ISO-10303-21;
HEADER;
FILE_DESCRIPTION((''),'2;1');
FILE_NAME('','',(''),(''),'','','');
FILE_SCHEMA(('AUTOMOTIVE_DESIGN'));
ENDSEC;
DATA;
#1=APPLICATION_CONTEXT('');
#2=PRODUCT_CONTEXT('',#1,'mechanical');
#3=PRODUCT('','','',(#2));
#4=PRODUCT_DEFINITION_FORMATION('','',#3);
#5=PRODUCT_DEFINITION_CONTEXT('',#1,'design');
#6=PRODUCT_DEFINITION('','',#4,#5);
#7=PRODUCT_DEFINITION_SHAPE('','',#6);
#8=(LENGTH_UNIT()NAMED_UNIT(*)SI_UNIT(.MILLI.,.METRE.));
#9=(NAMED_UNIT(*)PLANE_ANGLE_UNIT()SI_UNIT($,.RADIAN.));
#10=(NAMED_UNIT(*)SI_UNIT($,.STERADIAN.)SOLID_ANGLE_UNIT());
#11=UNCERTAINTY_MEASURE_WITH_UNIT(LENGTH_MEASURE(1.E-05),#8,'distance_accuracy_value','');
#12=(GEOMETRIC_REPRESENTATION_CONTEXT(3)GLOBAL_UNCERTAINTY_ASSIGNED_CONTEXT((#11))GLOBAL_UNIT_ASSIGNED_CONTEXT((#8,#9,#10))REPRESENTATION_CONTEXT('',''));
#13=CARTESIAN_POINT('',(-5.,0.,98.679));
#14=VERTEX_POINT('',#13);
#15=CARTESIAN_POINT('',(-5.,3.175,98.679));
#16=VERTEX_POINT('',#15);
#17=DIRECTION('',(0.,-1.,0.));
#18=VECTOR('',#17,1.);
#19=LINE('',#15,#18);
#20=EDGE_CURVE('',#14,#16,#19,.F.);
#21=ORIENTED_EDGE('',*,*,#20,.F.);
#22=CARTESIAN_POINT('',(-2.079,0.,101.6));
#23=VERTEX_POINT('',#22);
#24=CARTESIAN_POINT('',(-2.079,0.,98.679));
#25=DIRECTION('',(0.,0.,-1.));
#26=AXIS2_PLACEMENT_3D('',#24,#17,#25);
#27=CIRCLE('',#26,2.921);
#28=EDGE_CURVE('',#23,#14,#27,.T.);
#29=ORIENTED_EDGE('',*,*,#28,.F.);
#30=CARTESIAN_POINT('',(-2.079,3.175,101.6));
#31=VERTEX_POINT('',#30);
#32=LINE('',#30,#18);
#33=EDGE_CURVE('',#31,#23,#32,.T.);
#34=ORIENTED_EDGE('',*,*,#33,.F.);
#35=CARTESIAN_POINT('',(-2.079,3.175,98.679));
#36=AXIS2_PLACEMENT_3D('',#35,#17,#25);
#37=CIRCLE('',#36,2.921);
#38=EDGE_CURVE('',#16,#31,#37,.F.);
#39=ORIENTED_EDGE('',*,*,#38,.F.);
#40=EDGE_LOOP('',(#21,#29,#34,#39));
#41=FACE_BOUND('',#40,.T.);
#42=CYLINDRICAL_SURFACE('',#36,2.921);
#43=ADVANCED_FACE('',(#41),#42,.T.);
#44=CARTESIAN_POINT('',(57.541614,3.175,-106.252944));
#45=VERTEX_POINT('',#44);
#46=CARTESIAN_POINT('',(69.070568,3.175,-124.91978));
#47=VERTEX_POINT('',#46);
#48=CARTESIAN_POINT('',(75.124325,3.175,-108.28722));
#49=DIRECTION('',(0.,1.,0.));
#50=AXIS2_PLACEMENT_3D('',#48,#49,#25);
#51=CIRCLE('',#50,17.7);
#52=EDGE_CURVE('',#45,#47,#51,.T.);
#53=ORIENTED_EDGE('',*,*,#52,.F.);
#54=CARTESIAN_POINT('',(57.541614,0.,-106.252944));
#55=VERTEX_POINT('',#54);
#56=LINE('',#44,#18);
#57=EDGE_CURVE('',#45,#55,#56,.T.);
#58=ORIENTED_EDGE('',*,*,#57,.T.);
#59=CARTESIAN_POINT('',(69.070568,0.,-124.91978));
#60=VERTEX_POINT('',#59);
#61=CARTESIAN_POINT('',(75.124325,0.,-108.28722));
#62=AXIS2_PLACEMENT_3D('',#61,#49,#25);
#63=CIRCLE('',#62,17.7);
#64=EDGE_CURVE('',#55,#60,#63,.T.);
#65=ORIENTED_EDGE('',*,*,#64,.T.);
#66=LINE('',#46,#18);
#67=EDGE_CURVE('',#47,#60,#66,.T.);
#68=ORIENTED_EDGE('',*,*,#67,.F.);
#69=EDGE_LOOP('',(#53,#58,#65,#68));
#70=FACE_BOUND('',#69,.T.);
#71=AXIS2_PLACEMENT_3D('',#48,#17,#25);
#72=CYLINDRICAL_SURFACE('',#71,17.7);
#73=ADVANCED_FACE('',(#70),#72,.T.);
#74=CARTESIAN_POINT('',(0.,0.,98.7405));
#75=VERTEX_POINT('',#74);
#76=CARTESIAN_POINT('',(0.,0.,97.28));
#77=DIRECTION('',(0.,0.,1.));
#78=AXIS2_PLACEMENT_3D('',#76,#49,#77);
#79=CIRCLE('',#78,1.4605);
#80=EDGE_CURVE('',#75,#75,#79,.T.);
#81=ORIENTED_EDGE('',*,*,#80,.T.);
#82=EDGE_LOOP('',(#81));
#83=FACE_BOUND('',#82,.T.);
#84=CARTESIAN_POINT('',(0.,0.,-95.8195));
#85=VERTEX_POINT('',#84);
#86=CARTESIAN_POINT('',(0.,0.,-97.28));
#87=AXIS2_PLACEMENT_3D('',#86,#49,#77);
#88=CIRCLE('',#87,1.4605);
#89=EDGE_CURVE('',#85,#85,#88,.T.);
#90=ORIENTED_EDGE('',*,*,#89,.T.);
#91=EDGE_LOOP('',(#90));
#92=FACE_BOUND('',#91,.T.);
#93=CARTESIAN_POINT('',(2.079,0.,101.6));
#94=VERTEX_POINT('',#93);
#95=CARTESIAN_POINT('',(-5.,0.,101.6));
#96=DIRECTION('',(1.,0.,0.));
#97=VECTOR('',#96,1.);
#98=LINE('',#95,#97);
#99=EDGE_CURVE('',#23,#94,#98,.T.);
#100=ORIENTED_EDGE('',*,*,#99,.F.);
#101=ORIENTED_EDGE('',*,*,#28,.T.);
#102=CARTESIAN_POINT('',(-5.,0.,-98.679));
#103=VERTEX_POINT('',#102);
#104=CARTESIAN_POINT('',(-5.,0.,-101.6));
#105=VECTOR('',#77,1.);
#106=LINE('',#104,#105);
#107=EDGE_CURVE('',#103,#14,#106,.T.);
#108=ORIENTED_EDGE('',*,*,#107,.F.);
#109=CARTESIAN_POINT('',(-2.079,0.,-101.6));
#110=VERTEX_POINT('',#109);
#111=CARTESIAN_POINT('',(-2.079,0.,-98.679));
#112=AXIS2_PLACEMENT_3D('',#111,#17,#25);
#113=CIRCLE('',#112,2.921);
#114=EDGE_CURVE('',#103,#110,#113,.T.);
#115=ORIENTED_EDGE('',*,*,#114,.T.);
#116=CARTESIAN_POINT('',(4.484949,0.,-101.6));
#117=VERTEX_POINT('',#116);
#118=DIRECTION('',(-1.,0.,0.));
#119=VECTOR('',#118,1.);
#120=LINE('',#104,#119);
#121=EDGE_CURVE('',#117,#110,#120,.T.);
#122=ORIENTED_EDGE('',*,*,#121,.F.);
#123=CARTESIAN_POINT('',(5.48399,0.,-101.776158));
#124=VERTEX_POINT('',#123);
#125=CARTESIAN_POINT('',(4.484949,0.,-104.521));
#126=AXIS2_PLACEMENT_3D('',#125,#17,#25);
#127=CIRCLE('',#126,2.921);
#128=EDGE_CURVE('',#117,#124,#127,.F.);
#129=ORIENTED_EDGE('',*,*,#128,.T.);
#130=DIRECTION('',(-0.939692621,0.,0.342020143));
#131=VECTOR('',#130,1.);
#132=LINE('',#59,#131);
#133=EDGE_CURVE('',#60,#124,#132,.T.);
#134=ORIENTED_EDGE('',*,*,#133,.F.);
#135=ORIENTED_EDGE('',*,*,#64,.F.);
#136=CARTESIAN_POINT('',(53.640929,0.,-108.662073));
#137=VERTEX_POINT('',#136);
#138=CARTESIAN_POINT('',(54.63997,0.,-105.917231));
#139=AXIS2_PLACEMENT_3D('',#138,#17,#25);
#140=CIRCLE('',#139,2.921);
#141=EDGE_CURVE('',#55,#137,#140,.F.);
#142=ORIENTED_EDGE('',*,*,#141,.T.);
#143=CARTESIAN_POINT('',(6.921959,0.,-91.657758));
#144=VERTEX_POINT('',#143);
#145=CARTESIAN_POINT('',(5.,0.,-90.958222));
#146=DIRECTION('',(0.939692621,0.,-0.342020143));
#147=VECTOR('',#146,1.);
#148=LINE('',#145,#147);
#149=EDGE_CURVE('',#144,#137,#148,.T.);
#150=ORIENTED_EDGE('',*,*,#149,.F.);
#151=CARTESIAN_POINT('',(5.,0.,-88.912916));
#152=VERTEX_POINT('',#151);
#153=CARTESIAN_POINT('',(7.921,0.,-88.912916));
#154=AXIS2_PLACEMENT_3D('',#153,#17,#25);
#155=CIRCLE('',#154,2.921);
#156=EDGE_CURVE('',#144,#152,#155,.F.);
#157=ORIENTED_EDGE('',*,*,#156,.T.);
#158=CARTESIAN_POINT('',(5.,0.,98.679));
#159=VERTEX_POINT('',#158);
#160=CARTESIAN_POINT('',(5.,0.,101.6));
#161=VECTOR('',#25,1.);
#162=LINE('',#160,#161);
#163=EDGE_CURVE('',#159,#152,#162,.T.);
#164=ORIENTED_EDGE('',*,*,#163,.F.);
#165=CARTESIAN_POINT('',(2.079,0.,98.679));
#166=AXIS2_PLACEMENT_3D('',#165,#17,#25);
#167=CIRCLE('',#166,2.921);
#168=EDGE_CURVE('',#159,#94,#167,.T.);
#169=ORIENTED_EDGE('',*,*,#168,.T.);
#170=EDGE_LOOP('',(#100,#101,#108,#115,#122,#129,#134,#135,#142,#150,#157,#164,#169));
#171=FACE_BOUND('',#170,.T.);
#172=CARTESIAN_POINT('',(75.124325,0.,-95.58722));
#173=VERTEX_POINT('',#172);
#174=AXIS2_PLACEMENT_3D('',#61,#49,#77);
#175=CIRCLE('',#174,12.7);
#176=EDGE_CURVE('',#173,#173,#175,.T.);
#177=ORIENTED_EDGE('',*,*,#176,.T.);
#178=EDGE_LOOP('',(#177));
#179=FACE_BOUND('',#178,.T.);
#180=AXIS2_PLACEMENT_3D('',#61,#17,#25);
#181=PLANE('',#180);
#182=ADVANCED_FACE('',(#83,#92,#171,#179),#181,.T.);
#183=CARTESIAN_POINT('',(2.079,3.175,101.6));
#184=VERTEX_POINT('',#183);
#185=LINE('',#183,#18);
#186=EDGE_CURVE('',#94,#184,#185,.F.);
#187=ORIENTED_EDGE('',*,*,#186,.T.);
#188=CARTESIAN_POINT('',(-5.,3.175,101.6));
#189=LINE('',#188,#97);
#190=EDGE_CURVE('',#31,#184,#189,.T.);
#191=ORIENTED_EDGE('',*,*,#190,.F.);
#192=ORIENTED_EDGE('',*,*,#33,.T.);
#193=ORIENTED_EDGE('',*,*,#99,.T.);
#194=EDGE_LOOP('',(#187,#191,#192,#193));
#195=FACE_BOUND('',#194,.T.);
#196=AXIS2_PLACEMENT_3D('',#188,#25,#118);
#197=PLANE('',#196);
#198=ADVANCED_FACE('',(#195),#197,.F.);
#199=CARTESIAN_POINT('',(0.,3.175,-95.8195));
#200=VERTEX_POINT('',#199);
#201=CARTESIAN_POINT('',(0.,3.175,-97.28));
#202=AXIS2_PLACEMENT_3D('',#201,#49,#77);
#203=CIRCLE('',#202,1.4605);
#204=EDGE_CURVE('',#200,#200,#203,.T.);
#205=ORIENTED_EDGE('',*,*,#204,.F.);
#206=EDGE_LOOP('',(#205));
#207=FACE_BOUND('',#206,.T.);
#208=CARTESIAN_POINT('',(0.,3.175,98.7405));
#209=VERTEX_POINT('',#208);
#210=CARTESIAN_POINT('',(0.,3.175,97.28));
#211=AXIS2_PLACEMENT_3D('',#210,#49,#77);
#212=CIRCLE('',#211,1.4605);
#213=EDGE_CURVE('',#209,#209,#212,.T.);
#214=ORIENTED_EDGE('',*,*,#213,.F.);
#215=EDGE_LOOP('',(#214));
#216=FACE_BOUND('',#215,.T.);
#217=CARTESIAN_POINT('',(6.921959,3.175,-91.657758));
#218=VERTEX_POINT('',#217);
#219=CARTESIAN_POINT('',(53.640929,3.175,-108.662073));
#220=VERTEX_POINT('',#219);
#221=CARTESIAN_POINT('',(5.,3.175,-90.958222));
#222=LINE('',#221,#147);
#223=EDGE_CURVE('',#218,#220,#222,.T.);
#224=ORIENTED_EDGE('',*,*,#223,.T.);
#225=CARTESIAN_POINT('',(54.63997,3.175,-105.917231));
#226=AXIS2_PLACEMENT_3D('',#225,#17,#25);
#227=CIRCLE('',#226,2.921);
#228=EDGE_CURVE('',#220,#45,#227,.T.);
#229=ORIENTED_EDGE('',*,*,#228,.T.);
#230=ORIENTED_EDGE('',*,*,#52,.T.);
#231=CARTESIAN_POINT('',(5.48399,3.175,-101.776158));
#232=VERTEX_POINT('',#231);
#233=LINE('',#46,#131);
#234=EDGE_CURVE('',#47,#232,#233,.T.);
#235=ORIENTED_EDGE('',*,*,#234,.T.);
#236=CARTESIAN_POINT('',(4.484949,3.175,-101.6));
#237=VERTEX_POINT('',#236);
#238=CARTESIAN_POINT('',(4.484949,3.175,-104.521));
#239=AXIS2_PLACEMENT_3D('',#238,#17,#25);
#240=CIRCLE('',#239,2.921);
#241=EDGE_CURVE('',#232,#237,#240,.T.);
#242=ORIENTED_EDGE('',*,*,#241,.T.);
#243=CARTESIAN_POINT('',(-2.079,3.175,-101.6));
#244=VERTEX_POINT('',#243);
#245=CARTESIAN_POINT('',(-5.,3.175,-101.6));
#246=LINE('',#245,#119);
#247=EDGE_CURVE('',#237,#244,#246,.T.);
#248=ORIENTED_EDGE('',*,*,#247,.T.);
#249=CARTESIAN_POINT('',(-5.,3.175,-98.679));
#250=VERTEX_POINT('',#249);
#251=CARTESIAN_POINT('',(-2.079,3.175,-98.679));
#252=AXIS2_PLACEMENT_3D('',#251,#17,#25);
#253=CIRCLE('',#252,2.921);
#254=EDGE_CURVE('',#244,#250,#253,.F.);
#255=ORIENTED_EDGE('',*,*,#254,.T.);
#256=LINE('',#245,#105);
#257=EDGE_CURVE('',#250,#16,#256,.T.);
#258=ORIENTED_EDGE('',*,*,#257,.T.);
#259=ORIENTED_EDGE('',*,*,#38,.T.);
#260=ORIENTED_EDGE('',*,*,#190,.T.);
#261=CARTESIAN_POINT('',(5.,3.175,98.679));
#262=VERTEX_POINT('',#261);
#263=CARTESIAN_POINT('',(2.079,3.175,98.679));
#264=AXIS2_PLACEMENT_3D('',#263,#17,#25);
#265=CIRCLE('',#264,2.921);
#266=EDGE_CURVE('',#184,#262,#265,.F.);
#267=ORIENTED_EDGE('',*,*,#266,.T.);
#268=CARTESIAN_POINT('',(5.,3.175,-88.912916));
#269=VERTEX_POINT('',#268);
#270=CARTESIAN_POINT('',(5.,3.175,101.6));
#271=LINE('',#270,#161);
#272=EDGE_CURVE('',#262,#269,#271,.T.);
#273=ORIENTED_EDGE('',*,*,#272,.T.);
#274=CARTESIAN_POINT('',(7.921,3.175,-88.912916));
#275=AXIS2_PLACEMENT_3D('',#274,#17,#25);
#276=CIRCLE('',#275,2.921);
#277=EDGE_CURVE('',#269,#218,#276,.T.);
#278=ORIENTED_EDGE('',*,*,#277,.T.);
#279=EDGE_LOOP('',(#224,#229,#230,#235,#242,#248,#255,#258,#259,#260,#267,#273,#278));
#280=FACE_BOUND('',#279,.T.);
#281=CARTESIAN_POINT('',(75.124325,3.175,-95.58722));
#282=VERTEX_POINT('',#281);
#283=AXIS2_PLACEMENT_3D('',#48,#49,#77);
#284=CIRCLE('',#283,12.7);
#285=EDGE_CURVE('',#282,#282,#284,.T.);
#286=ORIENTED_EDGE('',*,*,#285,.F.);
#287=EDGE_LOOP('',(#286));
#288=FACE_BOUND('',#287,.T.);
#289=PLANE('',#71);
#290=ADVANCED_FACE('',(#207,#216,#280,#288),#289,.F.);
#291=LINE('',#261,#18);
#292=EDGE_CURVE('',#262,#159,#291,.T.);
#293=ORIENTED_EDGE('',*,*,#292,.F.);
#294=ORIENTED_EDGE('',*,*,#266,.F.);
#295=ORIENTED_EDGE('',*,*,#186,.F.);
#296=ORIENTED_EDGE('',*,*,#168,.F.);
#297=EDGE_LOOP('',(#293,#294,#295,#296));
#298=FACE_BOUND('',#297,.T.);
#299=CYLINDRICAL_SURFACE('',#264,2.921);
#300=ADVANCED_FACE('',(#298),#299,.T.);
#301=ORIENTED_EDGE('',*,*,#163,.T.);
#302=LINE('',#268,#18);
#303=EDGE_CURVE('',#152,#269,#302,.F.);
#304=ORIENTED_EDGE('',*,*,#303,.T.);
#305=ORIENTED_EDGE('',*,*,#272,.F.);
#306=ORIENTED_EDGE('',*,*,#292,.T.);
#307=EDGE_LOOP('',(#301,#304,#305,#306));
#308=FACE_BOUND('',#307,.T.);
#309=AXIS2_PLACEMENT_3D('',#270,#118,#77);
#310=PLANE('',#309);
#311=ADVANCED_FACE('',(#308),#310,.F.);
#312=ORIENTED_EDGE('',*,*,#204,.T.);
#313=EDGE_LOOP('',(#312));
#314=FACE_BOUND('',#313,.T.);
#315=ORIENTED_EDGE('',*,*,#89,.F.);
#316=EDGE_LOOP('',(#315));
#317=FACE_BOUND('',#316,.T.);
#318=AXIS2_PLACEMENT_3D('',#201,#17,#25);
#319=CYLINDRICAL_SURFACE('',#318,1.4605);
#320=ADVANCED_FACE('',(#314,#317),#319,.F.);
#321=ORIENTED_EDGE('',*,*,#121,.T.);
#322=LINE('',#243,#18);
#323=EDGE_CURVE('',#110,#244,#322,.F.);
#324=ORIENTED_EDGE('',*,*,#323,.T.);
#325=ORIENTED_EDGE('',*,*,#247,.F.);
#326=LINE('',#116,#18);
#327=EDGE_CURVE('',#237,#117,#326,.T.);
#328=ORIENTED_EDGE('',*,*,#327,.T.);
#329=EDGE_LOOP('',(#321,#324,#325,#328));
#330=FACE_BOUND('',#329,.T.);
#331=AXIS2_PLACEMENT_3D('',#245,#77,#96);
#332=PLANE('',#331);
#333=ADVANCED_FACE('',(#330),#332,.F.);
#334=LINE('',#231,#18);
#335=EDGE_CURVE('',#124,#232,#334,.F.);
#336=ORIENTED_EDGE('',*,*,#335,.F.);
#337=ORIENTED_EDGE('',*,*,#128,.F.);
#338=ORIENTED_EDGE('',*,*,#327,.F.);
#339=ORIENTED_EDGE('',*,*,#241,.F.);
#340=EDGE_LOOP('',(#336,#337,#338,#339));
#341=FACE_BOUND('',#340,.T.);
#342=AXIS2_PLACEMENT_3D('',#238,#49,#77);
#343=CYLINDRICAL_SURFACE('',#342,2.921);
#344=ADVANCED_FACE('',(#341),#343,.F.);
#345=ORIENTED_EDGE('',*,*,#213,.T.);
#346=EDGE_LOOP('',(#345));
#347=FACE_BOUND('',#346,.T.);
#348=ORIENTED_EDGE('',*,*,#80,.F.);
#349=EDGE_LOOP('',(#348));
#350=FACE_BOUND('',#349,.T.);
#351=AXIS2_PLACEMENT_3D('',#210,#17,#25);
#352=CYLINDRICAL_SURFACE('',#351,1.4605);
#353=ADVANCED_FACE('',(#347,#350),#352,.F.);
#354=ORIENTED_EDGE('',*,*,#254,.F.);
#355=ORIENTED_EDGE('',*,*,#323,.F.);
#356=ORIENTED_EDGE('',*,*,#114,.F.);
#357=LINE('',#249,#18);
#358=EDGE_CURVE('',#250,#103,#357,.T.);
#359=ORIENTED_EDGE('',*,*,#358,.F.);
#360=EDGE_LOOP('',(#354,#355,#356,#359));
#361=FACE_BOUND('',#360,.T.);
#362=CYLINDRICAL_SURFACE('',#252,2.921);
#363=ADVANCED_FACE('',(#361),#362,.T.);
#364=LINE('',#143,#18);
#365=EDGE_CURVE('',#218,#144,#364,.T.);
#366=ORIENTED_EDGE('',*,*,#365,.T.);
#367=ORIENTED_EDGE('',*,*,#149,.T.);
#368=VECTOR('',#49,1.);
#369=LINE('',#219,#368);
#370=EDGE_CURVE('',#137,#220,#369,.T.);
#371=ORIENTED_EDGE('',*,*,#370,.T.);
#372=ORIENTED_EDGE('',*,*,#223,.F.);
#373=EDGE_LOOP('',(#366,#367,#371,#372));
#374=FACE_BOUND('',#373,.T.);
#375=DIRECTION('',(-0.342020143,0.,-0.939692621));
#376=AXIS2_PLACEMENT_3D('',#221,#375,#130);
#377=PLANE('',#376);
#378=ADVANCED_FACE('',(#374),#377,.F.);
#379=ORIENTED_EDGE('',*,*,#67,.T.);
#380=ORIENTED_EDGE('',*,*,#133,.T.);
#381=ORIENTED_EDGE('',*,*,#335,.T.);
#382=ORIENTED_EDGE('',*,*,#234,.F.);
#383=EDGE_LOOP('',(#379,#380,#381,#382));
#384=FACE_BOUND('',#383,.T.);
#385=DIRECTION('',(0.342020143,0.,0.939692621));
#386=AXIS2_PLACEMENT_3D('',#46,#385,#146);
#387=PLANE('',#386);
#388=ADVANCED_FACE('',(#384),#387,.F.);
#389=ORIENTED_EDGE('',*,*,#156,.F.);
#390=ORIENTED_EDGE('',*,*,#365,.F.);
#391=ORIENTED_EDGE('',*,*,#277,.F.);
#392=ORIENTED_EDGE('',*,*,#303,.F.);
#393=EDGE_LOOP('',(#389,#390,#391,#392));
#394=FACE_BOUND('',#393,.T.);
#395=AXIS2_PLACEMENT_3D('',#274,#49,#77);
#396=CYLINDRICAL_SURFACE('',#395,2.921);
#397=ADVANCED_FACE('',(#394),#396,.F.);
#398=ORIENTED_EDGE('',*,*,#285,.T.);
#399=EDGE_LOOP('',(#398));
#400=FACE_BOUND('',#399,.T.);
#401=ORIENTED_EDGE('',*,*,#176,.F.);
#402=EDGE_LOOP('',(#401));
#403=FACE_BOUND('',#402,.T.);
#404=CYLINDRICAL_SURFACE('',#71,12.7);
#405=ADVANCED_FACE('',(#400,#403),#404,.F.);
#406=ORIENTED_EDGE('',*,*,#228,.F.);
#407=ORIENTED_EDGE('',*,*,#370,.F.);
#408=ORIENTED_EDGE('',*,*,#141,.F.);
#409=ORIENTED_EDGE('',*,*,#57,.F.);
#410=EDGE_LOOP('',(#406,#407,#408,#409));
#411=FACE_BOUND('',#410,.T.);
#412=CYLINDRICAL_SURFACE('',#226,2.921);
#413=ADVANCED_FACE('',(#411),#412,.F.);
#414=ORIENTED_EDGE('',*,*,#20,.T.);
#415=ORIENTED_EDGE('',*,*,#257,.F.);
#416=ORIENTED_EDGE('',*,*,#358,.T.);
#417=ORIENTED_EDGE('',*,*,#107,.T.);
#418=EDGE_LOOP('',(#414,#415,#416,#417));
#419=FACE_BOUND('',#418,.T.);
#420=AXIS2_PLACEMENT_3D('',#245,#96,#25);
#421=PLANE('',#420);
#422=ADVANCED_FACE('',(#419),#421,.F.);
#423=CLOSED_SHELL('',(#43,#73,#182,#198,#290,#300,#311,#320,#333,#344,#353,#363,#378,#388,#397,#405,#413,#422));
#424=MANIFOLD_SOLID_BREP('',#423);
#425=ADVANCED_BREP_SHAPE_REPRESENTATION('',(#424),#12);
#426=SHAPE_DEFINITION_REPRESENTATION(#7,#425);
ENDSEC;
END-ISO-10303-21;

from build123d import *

# Parameters (mm, degrees)
SKETCH1_R           = 1.4605
SKETCH1_R_2         = 12.7
BOSS_EXTRUDE1_DEPTH = 3.175
FILLET1_R           = 2.921


with BuildPart() as part:
    # Sketch1 → Boss-Extrude1 (new body)
    with BuildSketch(Plane(origin=(0, 0, 0), x_dir=(1, 0, 0), z_dir=(0, 1, 0))):
        with BuildLine():
            Line((5, -101.6), (5, 90.958222275))
            Line((5, 90.958222275), (57.514533832, 110.071949456))
            ThreePointArc((57.514533832, 110.071949456), (89.092337947, 97.415945766), (69.070568383, 124.919779784))
            Line((69.070568383, 124.919779784), (5, 101.6))
            Line((5, 101.6), (-5, 101.6))
            Line((-5, 101.6), (-5, -101.6))
            Line((-5, -101.6), (5, -101.6))
        make_face()
        with Locations(Location((0, -97.28, 0), (0, 0, 270))):
            Circle(SKETCH1_R, mode=Mode.SUBTRACT)
        with Locations(Location((0, 97.28, 0), (0, 0, 270))):
            Circle(SKETCH1_R, mode=Mode.SUBTRACT)
        with Locations(Location((75.12432492, 108.287220396, 0), (0, 0, 270))):
            Circle(SKETCH1_R_2, mode=Mode.SUBTRACT)
    extrude(amount=BOSS_EXTRUDE1_DEPTH)

    # Fillet1
    fillet1_edges = [part.edges().sort_by_distance(p)[0] for p in [
        (-5, 1.5875, 101.6),
        (-5, 1.5875, -101.6),
        (5, 1.5875, -101.6),
        (57.514533832, 1.5875, -110.071949456),
        (5, 1.5875, -90.958222275),
        (5, 1.5875, 101.6),
    ]]
    fillet(fillet1_edges, radius=FILLET1_R)


solid = part.part
